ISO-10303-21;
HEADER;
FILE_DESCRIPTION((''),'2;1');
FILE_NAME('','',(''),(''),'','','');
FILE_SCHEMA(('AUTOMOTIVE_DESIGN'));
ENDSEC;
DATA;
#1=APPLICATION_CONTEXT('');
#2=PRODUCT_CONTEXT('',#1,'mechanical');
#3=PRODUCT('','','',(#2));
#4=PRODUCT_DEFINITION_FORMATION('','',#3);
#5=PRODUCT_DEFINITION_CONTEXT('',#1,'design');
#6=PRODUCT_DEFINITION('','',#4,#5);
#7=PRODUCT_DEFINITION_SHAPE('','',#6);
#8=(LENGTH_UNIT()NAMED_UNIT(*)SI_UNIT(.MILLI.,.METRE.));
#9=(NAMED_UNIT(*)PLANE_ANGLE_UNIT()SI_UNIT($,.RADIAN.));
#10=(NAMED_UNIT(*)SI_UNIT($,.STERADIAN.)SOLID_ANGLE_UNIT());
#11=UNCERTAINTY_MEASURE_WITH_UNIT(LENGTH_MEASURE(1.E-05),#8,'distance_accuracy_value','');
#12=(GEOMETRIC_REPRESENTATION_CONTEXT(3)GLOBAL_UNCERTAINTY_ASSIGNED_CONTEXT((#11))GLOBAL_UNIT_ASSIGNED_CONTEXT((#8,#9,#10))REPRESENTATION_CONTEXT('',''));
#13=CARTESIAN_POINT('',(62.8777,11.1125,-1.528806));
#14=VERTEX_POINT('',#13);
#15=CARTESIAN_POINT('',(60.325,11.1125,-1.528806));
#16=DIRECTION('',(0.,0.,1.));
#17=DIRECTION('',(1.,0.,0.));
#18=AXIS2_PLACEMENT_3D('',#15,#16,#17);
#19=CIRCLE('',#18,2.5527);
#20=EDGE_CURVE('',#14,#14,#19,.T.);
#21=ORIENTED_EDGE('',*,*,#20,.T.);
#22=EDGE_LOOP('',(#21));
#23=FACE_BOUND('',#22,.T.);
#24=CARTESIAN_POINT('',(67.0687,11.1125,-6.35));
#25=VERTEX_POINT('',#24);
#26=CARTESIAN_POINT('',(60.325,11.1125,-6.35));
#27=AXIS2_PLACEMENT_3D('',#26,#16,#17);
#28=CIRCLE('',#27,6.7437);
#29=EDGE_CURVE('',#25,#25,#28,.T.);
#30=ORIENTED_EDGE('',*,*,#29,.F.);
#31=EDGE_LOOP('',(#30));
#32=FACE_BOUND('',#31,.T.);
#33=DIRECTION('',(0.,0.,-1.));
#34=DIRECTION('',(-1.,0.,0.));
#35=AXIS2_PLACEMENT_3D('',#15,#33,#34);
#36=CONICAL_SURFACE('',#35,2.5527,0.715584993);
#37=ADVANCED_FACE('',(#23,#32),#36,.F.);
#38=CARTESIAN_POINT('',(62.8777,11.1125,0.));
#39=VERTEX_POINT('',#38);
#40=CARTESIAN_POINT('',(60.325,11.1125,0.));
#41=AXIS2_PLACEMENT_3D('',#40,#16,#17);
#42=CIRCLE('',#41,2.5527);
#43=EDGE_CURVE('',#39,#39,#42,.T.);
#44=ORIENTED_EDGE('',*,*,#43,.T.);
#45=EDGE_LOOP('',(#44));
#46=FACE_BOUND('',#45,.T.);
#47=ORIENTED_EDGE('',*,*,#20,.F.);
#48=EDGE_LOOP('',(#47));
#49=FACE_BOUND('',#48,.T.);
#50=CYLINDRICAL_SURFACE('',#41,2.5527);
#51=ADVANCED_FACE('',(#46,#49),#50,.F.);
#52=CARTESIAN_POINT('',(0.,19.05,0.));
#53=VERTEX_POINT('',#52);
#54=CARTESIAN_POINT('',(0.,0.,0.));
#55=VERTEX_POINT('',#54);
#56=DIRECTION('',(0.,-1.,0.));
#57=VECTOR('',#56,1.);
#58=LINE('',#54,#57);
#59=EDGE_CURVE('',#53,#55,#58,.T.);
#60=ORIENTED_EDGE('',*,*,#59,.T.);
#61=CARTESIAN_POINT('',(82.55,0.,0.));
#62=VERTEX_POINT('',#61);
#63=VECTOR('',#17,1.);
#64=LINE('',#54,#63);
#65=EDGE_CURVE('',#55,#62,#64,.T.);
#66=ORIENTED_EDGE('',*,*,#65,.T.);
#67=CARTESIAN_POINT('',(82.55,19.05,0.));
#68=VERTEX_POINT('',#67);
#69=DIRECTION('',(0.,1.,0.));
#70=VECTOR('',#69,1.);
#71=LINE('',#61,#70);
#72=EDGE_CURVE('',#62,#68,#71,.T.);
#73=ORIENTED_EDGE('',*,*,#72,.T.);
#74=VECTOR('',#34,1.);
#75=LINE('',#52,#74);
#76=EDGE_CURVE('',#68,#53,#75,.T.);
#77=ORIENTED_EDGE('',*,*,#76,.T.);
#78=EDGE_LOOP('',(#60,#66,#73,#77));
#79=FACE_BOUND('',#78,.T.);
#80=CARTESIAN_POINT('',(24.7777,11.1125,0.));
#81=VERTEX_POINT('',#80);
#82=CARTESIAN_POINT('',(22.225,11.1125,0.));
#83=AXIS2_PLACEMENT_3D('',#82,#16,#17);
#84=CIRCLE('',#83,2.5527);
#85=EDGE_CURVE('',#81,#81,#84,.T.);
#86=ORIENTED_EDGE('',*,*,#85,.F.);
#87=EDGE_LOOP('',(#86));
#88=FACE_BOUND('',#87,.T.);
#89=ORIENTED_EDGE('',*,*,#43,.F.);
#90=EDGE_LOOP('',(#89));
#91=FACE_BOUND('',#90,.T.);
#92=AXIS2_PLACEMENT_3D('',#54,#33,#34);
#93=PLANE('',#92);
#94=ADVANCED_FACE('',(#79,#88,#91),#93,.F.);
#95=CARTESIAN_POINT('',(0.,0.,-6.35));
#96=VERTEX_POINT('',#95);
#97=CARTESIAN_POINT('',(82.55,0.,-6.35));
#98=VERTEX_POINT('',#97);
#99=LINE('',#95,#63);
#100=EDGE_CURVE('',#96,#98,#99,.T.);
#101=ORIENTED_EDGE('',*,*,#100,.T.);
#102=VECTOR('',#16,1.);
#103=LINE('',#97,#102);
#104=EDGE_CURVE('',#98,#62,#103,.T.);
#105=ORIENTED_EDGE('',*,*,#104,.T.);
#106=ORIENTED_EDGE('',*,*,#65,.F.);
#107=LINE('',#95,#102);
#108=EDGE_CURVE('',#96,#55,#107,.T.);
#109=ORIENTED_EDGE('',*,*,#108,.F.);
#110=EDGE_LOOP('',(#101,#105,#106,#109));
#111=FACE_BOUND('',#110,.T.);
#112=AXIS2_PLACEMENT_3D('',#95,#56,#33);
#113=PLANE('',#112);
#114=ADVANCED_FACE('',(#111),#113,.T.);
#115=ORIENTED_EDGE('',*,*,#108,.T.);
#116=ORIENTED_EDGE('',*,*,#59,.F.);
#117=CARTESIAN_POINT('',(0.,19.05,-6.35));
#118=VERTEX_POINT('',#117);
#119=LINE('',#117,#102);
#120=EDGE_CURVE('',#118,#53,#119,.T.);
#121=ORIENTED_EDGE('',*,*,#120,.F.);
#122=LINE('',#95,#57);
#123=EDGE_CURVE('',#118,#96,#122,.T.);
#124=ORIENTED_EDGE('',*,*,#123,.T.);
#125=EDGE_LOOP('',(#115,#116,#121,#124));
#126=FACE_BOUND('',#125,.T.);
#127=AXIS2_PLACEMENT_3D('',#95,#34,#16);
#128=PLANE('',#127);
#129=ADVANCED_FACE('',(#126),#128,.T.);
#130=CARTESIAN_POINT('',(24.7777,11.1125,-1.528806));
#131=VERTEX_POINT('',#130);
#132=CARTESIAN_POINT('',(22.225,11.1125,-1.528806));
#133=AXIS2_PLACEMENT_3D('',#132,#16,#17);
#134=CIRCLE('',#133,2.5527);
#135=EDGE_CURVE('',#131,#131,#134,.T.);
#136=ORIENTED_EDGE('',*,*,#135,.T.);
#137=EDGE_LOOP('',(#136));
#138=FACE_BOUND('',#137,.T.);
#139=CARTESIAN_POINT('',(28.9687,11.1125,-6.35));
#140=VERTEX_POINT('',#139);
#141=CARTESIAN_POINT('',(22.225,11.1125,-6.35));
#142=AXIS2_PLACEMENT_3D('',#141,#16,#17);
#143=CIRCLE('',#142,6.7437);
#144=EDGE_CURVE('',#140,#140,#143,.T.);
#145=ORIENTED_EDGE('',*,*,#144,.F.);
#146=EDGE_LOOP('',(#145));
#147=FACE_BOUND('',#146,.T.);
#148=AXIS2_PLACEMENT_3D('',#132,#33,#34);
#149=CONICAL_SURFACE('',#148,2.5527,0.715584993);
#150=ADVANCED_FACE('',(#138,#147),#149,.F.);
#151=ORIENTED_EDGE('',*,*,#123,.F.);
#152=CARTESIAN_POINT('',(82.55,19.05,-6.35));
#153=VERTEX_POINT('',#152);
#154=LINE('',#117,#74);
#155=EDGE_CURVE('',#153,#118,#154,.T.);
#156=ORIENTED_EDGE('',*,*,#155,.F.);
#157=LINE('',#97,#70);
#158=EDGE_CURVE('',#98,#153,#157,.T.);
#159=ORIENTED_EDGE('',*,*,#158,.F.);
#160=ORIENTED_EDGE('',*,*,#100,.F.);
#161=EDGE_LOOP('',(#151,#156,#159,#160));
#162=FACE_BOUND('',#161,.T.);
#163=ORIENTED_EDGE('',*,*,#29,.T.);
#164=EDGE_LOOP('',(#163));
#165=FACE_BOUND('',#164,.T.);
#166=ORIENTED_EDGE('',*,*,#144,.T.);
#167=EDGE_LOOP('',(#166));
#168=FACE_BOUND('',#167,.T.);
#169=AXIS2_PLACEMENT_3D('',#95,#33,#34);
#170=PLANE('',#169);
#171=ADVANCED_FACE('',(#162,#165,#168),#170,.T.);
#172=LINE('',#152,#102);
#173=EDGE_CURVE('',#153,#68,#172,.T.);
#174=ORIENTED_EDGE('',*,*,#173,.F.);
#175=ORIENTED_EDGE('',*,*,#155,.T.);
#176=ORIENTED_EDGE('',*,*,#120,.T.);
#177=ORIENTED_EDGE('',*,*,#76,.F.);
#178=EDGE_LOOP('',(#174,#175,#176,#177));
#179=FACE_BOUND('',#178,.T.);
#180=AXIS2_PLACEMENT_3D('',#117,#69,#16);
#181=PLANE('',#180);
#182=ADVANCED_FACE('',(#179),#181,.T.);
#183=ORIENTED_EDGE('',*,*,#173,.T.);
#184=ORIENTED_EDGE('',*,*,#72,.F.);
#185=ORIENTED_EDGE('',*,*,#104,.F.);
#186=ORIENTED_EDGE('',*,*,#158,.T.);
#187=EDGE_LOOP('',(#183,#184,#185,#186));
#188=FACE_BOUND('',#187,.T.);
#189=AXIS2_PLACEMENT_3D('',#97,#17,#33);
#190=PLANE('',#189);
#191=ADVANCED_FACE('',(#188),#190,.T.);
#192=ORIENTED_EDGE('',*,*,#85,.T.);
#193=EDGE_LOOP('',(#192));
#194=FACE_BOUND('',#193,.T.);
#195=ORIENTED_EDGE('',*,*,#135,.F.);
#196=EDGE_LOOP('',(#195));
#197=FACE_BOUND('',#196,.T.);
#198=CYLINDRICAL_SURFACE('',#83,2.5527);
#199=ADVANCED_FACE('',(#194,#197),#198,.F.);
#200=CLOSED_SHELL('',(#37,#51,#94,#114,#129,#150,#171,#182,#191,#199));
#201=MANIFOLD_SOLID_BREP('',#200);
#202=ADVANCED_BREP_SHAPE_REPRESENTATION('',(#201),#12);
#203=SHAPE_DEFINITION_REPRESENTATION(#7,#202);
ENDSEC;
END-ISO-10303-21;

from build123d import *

# Parameters (mm, degrees)
SKETCH1_W                        = 82.55
SKETCH1_H                        = 19.05
BOSS_EXTRUDE1_DEPTH              = 6.35
F_1_4_20_TAPPED_HOLE1_AT_2_COUNT = 2
F_1_4_20_TAPPED_HOLE1_AT_2_PITCH = 38.1


with BuildPart() as part:
    # Sketch1 → Boss-Extrude1 (new body)
    with BuildSketch(Plane.XY):
        with Locations((41.275, 9.525)):
            Rectangle(SKETCH1_W, SKETCH1_H)
    extrude(amount=-BOSS_EXTRUDE1_DEPTH)

    # Sketch3 → 1/4-20 Tapped Hole1 (revolve, cut)
    with BuildSketch(Plane(origin=(22.225, 11.1125, 0), x_dir=(0, -1, 0), z_dir=(1, 0, 0))):
        Polygon((0, 0), (0, 6.35), (6.7437, 6.35), (2.5527, 1.528806005), (2.5527, 0), align=None)
    f_1_4_20_tapped_hole1 = revolve(axis=Axis((22.225, 11.1125, 6.35), (0, 0, -1)), mode=Mode.SUBTRACT)

    # 1/4-20 Tapped Hole1 at 2: 1/4-20 Tapped Hole1 ×2
    with Locations(*[(i * F_1_4_20_TAPPED_HOLE1_AT_2_PITCH, 0, 0) for i in range(1, F_1_4_20_TAPPED_HOLE1_AT_2_COUNT)]):
        add(f_1_4_20_tapped_hole1, mode=Mode.SUBTRACT)


solid = part.part
